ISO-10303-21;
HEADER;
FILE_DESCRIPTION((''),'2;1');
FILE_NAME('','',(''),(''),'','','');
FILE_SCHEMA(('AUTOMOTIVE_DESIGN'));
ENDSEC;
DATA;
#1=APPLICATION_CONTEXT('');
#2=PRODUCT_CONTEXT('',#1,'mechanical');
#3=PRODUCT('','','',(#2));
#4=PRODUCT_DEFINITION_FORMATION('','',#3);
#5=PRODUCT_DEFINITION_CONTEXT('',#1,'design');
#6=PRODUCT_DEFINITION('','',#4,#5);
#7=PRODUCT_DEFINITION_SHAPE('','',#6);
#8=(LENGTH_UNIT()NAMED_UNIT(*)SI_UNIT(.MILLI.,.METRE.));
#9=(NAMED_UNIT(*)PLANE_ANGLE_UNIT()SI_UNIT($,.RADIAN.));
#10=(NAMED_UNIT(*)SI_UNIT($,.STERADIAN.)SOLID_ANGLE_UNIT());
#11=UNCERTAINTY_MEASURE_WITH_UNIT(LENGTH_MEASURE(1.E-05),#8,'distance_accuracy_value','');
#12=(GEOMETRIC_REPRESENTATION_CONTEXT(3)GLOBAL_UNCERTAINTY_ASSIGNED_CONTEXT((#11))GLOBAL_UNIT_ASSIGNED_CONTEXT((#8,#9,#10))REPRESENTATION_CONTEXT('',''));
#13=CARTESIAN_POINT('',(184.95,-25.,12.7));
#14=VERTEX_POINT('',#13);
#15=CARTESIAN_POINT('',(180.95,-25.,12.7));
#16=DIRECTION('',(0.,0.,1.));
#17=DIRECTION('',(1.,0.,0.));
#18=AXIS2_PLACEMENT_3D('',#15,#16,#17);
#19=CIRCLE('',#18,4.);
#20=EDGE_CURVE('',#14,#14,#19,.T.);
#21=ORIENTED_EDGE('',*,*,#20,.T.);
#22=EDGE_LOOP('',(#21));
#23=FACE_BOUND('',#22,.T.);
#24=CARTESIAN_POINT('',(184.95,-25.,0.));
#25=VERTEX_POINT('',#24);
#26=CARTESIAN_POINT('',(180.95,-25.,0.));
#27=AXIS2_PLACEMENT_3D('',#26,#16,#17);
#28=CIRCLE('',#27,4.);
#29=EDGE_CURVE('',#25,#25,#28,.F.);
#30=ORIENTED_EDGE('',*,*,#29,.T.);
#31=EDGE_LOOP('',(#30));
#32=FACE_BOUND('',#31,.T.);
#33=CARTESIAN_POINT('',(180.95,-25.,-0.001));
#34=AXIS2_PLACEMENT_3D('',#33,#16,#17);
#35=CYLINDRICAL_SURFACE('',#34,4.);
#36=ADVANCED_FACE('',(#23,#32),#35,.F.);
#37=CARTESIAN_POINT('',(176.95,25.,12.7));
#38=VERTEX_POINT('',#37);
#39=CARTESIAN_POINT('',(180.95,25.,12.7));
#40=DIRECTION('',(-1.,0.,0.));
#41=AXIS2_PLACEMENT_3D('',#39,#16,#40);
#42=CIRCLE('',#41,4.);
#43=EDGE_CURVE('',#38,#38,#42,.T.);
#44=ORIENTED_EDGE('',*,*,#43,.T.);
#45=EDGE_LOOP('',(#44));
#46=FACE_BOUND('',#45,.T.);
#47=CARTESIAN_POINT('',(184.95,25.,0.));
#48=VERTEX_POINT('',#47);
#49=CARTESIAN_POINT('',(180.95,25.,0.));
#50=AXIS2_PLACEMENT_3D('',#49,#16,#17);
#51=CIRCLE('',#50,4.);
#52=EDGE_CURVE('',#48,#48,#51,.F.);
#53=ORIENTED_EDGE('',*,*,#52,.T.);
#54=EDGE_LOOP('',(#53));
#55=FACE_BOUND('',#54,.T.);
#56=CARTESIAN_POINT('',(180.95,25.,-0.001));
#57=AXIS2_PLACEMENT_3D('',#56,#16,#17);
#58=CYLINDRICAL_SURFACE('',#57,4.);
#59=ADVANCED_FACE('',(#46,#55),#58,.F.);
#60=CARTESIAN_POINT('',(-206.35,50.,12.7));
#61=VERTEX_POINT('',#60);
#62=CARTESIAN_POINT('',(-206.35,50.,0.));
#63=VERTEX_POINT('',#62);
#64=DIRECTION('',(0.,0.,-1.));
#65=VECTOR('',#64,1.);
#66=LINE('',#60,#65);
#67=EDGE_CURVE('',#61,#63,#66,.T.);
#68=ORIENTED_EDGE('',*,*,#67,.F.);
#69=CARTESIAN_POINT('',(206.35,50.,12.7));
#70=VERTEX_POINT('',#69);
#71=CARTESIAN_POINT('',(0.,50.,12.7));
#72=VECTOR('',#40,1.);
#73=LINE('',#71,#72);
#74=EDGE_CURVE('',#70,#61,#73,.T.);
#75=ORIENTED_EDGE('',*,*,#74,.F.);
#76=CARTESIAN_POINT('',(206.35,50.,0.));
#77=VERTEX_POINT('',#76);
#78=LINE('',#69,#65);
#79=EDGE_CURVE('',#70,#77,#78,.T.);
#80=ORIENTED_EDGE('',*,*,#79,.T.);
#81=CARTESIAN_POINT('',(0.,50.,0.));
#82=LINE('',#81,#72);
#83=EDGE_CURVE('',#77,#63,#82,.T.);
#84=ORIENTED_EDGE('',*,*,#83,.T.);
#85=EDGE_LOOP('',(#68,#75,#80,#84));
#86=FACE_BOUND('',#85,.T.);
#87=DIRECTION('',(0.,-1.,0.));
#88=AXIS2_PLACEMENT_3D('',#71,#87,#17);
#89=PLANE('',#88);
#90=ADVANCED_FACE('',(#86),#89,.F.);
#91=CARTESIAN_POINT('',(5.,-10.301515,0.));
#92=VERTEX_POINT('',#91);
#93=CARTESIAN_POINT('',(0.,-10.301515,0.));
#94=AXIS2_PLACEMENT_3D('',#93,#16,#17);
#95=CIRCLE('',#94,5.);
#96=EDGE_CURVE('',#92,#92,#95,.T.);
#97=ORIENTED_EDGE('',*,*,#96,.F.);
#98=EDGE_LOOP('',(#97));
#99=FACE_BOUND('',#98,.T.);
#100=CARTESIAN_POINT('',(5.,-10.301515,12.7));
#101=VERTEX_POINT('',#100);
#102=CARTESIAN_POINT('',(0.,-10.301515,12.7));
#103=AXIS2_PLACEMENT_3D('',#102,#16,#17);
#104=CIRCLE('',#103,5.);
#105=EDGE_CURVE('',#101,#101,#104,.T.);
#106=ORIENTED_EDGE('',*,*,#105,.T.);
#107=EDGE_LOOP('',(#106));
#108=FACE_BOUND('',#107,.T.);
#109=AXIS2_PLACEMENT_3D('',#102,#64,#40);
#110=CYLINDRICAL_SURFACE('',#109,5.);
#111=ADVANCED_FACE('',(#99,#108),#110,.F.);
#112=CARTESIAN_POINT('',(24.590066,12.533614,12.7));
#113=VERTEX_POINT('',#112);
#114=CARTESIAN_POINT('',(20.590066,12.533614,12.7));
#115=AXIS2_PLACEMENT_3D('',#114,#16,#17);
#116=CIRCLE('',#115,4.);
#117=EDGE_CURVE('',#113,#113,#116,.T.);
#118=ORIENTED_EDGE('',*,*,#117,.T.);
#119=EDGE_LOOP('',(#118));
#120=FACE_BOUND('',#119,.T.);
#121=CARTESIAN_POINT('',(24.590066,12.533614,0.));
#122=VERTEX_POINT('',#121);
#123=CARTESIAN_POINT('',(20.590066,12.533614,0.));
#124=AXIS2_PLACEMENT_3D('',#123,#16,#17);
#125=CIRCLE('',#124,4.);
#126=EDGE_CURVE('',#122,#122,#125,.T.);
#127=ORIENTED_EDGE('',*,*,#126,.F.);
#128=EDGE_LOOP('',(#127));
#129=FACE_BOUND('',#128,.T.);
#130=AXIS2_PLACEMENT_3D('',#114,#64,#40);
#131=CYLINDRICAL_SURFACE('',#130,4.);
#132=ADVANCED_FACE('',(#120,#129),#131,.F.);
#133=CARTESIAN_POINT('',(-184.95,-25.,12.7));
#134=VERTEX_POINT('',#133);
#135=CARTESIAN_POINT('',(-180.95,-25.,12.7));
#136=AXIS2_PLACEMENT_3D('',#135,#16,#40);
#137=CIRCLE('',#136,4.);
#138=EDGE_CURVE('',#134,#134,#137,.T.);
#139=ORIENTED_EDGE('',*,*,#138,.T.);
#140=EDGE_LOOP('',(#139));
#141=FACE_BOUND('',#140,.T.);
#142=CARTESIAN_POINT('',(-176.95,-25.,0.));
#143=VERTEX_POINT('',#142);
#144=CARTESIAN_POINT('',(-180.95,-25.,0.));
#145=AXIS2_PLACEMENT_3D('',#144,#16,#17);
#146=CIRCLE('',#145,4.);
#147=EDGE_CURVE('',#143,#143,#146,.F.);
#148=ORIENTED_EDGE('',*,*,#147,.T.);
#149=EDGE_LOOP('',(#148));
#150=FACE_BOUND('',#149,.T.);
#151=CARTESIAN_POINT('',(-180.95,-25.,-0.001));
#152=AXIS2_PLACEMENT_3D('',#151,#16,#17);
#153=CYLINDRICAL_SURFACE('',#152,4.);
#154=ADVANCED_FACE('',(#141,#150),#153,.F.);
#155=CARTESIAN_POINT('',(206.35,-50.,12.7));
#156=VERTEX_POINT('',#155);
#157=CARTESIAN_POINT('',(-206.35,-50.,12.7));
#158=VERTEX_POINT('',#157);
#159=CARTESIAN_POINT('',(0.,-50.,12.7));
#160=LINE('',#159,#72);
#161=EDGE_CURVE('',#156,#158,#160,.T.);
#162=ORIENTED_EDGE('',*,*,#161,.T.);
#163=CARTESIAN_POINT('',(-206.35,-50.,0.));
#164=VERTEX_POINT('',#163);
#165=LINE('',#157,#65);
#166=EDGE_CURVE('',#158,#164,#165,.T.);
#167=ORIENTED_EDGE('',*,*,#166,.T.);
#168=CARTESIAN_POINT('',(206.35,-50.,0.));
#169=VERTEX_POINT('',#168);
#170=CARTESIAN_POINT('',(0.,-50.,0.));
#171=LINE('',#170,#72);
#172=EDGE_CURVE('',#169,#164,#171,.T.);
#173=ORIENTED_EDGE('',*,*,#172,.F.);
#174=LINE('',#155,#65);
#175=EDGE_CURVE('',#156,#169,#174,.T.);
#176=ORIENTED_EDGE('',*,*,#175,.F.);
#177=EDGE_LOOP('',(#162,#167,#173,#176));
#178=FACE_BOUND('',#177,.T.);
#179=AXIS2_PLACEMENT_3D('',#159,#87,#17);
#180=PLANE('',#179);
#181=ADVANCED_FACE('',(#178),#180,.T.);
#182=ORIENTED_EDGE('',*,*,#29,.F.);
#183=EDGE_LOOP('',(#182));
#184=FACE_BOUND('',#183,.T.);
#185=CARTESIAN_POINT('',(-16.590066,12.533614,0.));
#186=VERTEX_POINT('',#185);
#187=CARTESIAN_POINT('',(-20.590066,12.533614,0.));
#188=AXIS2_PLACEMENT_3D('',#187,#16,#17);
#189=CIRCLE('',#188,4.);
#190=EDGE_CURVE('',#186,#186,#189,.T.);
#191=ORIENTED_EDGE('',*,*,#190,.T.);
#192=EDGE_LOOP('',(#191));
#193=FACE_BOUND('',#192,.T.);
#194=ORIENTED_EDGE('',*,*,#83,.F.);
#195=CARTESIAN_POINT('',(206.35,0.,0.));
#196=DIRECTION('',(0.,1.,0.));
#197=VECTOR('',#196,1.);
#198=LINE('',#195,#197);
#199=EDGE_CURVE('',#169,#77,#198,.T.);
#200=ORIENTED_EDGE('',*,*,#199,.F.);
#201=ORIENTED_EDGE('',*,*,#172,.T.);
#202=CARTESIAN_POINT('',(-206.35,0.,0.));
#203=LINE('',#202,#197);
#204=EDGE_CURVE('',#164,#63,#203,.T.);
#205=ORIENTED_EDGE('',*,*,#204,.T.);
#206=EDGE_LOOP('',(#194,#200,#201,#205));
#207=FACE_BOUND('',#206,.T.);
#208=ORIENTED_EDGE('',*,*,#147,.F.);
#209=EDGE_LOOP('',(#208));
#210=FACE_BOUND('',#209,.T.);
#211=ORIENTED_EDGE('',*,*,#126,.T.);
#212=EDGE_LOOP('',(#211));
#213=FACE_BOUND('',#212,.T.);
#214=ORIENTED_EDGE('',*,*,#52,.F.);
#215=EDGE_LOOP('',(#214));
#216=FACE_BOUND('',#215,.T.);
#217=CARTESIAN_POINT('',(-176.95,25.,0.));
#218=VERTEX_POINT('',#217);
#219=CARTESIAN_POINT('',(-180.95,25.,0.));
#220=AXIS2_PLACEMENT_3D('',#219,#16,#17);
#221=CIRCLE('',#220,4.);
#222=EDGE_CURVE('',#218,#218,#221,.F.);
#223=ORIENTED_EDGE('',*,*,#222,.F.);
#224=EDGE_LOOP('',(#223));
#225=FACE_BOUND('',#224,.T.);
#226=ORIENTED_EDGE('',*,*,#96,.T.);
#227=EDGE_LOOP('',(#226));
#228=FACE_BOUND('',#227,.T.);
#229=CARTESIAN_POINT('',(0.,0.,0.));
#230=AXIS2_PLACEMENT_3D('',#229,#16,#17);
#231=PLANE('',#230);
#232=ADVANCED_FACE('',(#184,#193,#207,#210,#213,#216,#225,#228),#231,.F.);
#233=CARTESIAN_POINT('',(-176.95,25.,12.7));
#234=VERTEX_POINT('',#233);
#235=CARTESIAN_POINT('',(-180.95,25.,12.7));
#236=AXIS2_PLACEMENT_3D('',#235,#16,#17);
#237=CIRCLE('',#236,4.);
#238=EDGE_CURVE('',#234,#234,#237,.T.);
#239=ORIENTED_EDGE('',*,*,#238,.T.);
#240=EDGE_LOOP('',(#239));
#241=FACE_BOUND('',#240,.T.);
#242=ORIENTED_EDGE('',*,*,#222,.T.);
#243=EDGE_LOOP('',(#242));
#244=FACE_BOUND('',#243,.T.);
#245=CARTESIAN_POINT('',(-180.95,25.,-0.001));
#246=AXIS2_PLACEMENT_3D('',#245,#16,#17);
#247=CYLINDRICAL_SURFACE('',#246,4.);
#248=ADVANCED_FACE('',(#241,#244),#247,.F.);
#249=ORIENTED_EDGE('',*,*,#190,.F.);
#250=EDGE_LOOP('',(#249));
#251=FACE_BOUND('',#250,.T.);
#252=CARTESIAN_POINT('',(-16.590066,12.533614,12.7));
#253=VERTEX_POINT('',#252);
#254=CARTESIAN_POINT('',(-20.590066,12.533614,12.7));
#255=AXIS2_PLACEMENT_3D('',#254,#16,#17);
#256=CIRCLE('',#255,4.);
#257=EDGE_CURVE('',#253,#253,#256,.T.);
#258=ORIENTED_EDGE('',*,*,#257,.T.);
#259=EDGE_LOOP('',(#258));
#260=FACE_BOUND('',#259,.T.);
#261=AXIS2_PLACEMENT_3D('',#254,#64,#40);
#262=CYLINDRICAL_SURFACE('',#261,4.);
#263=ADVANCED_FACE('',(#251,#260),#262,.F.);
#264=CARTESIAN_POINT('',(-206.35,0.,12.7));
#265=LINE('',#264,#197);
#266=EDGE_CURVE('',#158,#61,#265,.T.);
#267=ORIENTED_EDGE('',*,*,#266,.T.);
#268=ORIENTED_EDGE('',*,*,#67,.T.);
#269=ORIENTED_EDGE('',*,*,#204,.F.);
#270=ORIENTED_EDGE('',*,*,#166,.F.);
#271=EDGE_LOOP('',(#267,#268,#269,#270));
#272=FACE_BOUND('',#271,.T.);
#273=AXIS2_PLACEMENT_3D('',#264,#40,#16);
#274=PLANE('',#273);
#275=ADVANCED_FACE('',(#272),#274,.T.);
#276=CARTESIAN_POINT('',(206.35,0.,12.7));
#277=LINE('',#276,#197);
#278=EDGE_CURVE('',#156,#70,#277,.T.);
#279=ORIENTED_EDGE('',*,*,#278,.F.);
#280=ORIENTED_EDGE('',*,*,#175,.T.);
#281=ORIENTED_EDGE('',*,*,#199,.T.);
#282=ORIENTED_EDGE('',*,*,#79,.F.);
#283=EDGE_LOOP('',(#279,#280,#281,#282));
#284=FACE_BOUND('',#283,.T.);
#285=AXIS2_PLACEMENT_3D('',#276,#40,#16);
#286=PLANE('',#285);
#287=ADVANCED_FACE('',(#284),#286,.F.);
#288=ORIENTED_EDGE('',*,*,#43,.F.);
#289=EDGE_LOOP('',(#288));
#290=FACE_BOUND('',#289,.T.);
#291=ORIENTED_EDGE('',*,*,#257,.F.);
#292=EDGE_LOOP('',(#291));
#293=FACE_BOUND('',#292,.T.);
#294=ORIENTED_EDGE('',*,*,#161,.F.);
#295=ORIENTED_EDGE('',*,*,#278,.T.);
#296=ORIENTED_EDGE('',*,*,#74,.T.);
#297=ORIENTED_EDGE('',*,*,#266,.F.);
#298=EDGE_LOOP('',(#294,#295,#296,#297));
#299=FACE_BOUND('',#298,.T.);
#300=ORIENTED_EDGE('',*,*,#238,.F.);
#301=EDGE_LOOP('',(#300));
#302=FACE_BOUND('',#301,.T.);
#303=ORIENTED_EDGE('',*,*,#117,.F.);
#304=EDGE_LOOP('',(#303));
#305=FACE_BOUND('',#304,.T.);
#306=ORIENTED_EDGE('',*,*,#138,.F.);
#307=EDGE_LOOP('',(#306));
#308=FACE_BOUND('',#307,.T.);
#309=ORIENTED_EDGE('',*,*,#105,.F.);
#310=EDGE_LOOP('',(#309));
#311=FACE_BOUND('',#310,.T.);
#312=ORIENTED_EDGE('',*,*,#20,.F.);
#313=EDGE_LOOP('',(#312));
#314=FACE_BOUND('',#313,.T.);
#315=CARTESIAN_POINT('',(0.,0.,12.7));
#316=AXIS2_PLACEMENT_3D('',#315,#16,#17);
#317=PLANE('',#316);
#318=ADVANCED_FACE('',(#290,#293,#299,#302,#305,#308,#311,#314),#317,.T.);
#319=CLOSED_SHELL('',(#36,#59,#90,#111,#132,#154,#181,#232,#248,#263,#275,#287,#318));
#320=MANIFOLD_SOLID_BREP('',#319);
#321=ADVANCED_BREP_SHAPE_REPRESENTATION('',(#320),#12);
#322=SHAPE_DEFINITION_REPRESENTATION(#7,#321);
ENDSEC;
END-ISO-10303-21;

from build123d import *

# Parameters (mm, degrees)
SKETCH1_W           = 412.7
SKETCH1_H           = 100
SKETCH1_R           = 4
SKETCH1_R_2         = 5
BOSS_EXTRUDE1_DEPTH = 12.7
CUT_EXTRUDE1_REACH  = 214.701
SKETCH2_R           = 4


with BuildPart() as part:
    # Sketch1 → Boss-Extrude1 (new body)
    with BuildSketch(Plane.XY):
        Rectangle(SKETCH1_W, SKETCH1_H)
        with Locations((-20.590065585, 12.533614425)):
            Circle(SKETCH1_R, mode=Mode.SUBTRACT)
        with Locations((20.590065585, 12.533614425)):
            Circle(SKETCH1_R, mode=Mode.SUBTRACT)
        with Locations((0, -10.30151519)):
            Circle(SKETCH1_R_2, mode=Mode.SUBTRACT)
    extrude(amount=BOSS_EXTRUDE1_DEPTH)

    # Sketch2 → Cut-Extrude1 (cut, up to next)
    with BuildSketch(Plane.XY.offset(12.7), mode=Mode.PRIVATE) as cut_extrude1_sk1:
        with Locations((-180.95, 25)):
            Circle(SKETCH2_R)
    cut_extrude1_tool1 = extrude(cut_extrude1_sk1.sketch, amount=-CUT_EXTRUDE1_REACH, mode=Mode.PRIVATE) & part.part
    # Sketch2 → Cut-Extrude1 (cut, up to next)
    with BuildSketch(Plane.XY.offset(12.7), mode=Mode.PRIVATE) as cut_extrude1_sk2:
        with Locations((-180.95, -25)):
            Circle(SKETCH2_R)
    cut_extrude1_tool2 = extrude(cut_extrude1_sk2.sketch, amount=-CUT_EXTRUDE1_REACH, mode=Mode.PRIVATE) & part.part
    # Sketch2 → Cut-Extrude1 (cut, up to next)
    with BuildSketch(Plane.XY.offset(12.7), mode=Mode.PRIVATE) as cut_extrude1_sk3:
        with Locations((180.95, -25)):
            Circle(SKETCH2_R)
    cut_extrude1_tool3 = extrude(cut_extrude1_sk3.sketch, amount=-CUT_EXTRUDE1_REACH, mode=Mode.PRIVATE) & part.part
    # Sketch2 → Cut-Extrude1 (cut, up to next)
    with BuildSketch(Plane.XY.offset(12.7), mode=Mode.PRIVATE) as cut_extrude1_sk4:
        with Locations((180.95, 25)):
            Circle(SKETCH2_R)
    cut_extrude1_tool4 = extrude(cut_extrude1_sk4.sketch, amount=-CUT_EXTRUDE1_REACH, mode=Mode.PRIVATE) & part.part
    add(cut_extrude1_tool1.solids().sort_by_distance((-180.95, 25, 12.7))[0], mode=Mode.SUBTRACT)
    add(cut_extrude1_tool2.solids().sort_by_distance((-180.95, -25, 12.7))[0], mode=Mode.SUBTRACT)
    add(cut_extrude1_tool3.solids().sort_by_distance((180.95, -25, 12.7))[0], mode=Mode.SUBTRACT)
    add(cut_extrude1_tool4.solids().sort_by_distance((180.95, 25, 12.7))[0], mode=Mode.SUBTRACT)


solid = part.part
